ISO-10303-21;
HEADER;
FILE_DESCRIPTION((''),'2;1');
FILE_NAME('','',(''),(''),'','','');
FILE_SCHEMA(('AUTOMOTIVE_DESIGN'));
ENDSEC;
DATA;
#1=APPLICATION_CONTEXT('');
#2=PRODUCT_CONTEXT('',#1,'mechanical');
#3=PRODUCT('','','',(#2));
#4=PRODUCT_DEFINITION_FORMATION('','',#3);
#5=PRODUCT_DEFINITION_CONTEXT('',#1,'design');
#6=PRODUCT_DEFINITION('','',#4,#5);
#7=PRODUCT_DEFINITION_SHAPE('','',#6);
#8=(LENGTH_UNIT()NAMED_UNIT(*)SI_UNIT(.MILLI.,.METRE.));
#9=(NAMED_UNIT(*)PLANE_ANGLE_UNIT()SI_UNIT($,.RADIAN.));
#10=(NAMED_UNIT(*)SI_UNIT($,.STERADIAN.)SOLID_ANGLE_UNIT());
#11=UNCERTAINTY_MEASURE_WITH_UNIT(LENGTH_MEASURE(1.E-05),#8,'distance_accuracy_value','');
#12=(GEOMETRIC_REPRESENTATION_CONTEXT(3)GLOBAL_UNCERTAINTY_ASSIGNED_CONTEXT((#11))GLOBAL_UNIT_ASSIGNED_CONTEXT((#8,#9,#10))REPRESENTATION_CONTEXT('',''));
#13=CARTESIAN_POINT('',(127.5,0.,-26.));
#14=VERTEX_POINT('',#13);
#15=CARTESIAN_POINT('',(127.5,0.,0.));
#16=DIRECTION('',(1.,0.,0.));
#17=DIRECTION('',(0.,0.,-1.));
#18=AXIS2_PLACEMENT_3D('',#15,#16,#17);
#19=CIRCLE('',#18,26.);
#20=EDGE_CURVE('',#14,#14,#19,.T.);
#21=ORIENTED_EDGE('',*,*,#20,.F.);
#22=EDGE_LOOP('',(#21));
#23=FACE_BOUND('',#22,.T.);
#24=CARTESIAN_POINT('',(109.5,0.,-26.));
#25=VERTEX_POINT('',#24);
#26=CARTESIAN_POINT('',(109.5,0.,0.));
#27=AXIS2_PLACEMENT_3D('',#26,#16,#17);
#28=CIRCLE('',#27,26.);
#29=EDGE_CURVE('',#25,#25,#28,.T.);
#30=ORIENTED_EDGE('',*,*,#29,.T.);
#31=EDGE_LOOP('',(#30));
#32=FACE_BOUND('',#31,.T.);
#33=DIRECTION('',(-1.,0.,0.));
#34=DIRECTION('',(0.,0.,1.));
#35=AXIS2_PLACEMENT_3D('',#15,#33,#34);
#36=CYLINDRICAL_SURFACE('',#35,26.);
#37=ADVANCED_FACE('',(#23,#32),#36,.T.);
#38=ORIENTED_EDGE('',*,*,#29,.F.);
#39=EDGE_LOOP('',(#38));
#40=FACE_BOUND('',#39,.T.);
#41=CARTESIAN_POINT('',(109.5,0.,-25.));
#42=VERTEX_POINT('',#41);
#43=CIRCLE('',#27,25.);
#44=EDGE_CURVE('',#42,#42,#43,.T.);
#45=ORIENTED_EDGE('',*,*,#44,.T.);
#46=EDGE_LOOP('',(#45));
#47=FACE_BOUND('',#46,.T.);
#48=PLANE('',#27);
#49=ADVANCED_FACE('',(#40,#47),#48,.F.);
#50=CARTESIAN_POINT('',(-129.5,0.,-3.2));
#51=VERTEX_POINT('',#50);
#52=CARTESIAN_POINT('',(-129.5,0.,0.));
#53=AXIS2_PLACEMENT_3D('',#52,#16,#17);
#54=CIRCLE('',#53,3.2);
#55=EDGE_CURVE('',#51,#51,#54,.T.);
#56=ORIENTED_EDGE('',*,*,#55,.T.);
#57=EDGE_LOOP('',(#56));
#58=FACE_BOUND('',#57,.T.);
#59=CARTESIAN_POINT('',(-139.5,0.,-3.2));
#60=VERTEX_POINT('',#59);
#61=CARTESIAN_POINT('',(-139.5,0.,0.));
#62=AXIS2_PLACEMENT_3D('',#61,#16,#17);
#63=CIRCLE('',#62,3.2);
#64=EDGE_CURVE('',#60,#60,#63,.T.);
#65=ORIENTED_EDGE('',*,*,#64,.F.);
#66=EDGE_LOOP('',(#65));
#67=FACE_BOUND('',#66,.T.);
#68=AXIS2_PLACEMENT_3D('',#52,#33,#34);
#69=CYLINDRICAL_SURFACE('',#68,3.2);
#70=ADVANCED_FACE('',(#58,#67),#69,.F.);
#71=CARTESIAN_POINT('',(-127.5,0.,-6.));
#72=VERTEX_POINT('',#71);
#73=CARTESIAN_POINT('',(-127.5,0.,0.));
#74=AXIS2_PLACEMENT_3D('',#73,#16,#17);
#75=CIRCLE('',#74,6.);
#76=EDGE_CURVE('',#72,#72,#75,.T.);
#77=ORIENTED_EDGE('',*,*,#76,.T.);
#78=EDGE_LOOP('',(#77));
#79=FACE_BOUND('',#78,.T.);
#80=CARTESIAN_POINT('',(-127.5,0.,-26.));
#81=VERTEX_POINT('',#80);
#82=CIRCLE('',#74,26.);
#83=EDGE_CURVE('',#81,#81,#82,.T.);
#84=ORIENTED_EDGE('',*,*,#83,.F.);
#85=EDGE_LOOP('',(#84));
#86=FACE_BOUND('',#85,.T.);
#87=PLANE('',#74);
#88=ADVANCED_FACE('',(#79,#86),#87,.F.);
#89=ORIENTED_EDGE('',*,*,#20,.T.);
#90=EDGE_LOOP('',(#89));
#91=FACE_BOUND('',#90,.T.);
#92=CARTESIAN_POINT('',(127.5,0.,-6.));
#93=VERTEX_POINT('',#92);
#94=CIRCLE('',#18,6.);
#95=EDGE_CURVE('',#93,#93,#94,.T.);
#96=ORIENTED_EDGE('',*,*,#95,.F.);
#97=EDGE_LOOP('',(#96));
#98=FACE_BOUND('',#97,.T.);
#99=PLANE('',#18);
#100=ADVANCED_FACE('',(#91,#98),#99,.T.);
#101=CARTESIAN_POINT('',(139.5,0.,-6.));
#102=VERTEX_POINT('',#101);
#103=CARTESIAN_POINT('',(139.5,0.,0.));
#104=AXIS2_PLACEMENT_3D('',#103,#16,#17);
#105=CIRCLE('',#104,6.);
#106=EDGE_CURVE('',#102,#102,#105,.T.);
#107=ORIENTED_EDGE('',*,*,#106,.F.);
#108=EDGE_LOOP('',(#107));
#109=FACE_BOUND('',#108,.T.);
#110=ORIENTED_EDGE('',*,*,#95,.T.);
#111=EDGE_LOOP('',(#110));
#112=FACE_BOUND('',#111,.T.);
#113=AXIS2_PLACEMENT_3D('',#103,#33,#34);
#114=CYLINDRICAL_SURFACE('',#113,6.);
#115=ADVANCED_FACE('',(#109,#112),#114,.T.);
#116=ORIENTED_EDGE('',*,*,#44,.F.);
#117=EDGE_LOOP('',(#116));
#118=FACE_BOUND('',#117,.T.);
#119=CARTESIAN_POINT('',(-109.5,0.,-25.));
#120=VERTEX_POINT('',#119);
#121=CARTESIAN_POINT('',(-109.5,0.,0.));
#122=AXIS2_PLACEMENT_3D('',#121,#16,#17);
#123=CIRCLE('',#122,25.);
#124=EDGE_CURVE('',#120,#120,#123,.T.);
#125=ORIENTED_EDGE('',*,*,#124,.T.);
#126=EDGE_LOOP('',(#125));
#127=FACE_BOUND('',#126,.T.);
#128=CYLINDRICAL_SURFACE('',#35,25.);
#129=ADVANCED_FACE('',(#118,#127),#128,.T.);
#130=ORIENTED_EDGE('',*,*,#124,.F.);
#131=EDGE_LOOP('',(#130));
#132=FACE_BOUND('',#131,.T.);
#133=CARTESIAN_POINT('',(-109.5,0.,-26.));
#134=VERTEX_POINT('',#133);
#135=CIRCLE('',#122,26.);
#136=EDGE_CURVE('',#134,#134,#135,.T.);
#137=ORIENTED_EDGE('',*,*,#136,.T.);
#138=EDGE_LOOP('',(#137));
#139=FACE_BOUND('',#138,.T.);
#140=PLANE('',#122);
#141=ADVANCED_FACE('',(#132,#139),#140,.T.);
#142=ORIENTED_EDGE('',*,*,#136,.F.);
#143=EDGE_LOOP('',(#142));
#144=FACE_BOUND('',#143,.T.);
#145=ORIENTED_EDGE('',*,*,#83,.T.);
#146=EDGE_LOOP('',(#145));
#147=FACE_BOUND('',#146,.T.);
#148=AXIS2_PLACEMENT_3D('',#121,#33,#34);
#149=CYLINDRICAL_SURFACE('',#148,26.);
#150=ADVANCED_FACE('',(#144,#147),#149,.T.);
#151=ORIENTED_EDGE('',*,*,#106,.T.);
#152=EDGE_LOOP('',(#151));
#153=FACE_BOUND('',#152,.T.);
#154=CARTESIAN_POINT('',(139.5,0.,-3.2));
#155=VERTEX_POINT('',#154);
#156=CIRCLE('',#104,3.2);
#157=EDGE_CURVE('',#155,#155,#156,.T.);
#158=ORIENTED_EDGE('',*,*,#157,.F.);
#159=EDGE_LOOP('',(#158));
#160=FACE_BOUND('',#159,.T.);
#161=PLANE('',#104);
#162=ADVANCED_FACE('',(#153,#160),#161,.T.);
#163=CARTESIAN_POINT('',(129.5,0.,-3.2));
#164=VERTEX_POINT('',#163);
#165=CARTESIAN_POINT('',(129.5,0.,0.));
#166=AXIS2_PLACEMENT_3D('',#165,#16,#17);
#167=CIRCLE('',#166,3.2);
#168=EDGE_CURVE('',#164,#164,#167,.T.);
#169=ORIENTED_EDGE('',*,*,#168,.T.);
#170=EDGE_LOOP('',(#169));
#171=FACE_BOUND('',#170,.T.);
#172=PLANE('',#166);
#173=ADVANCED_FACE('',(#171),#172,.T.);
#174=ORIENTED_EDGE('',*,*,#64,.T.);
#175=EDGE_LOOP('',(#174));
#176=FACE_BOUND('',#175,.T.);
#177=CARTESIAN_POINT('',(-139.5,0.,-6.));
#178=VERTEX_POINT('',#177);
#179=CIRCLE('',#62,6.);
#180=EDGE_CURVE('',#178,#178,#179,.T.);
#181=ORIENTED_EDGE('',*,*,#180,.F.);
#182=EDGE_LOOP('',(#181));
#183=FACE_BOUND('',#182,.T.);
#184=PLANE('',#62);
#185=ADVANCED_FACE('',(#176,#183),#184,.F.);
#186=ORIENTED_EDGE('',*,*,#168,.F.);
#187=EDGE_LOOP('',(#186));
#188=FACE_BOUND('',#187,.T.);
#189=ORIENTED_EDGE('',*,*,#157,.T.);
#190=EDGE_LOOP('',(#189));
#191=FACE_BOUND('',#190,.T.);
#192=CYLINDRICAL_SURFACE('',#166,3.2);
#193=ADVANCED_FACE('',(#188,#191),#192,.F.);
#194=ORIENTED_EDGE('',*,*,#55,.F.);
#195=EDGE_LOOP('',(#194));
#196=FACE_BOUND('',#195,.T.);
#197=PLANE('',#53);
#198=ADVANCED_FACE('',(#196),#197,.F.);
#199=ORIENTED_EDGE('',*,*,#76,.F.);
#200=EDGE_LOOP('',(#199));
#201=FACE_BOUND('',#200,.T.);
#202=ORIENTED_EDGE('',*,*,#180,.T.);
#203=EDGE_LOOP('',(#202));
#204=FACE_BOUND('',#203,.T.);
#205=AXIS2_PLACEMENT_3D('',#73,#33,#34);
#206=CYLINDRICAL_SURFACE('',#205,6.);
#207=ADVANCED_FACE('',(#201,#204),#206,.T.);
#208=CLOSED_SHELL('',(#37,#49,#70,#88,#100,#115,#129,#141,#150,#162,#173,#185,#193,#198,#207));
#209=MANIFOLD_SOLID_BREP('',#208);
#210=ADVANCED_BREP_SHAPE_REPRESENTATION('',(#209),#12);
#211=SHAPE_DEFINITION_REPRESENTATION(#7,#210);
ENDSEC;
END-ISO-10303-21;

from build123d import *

# Parameters (mm, degrees)
BODY_START          = -127.5
SKETCH1_R           = 25
BODY_DEPTH          = 255
END_CAP_IN_START    = -127.5
SKETCH2_R           = 26
END_CAP_IN_DEPTH    = 18
END_CAP_OUT_START   = 109.5
SKETCH3_R           = 26
END_CAP_OUT_DEPTH   = 18
INLET_PORT_START    = -139.5
SKETCH4_R           = 6
INLET_PORT_DEPTH    = 12
INLET_SOCKET_START  = -139.5
SKETCH5_R           = 3.2
INLET_SOCKET_DEPTH  = 10
OUTLET_PORT_START   = 127.5
SKETCH6_R           = 6
OUTLET_PORT_DEPTH   = 12
OUTLET_SOCKET_START = 129.5
SKETCH7_R           = 3.2
OUTLET_SOCKET_DEPTH = 10


with BuildPart() as part:
    # Sketch1 → Body (new body)
    with BuildSketch(Plane(origin=(0, 0, 0), x_dir=(0, 0, -1), z_dir=(1, 0, 0)).offset(BODY_START)):
        Circle(SKETCH1_R)
    extrude(amount=BODY_DEPTH)

    # Sketch2 → End_Cap_In (add)
    with BuildSketch(Plane(origin=(0, 0, 0), x_dir=(0, 0, -1), z_dir=(1, 0, 0)).offset(END_CAP_IN_START)):
        Circle(SKETCH2_R)
    extrude(amount=END_CAP_IN_DEPTH)

    # Sketch3 → End_Cap_Out (add)
    with BuildSketch(Plane(origin=(0, 0, 0), x_dir=(0, 0, -1), z_dir=(1, 0, 0)).offset(END_CAP_OUT_START)):
        Circle(SKETCH3_R)
    extrude(amount=END_CAP_OUT_DEPTH)

    # Sketch4 → Inlet_Port (add)
    with BuildSketch(Plane(origin=(0, 0, 0), x_dir=(0, 0, -1), z_dir=(1, 0, 0)).offset(INLET_PORT_START)):
        Circle(SKETCH4_R)
    extrude(amount=INLET_PORT_DEPTH)

    # Sketch5 → Inlet_Socket (cut)
    with BuildSketch(Plane(origin=(0, 0, 0), x_dir=(0, 0, -1), z_dir=(1, 0, 0)).offset(INLET_SOCKET_START)):
        Circle(SKETCH5_R)
    extrude(amount=INLET_SOCKET_DEPTH, mode=Mode.SUBTRACT)

    # Sketch6 → Outlet_Port (add)
    with BuildSketch(Plane(origin=(0, 0, 0), x_dir=(0, 0, -1), z_dir=(1, 0, 0)).offset(OUTLET_PORT_START)):
        Circle(SKETCH6_R)
    extrude(amount=OUTLET_PORT_DEPTH)

    # Sketch7 → Outlet_Socket (cut)
    with BuildSketch(Plane(origin=(0, 0, 0), x_dir=(0, 0, -1), z_dir=(1, 0, 0)).offset(OUTLET_SOCKET_START)):
        Circle(SKETCH7_R)
    extrude(amount=OUTLET_SOCKET_DEPTH, mode=Mode.SUBTRACT)


solid = part.part
